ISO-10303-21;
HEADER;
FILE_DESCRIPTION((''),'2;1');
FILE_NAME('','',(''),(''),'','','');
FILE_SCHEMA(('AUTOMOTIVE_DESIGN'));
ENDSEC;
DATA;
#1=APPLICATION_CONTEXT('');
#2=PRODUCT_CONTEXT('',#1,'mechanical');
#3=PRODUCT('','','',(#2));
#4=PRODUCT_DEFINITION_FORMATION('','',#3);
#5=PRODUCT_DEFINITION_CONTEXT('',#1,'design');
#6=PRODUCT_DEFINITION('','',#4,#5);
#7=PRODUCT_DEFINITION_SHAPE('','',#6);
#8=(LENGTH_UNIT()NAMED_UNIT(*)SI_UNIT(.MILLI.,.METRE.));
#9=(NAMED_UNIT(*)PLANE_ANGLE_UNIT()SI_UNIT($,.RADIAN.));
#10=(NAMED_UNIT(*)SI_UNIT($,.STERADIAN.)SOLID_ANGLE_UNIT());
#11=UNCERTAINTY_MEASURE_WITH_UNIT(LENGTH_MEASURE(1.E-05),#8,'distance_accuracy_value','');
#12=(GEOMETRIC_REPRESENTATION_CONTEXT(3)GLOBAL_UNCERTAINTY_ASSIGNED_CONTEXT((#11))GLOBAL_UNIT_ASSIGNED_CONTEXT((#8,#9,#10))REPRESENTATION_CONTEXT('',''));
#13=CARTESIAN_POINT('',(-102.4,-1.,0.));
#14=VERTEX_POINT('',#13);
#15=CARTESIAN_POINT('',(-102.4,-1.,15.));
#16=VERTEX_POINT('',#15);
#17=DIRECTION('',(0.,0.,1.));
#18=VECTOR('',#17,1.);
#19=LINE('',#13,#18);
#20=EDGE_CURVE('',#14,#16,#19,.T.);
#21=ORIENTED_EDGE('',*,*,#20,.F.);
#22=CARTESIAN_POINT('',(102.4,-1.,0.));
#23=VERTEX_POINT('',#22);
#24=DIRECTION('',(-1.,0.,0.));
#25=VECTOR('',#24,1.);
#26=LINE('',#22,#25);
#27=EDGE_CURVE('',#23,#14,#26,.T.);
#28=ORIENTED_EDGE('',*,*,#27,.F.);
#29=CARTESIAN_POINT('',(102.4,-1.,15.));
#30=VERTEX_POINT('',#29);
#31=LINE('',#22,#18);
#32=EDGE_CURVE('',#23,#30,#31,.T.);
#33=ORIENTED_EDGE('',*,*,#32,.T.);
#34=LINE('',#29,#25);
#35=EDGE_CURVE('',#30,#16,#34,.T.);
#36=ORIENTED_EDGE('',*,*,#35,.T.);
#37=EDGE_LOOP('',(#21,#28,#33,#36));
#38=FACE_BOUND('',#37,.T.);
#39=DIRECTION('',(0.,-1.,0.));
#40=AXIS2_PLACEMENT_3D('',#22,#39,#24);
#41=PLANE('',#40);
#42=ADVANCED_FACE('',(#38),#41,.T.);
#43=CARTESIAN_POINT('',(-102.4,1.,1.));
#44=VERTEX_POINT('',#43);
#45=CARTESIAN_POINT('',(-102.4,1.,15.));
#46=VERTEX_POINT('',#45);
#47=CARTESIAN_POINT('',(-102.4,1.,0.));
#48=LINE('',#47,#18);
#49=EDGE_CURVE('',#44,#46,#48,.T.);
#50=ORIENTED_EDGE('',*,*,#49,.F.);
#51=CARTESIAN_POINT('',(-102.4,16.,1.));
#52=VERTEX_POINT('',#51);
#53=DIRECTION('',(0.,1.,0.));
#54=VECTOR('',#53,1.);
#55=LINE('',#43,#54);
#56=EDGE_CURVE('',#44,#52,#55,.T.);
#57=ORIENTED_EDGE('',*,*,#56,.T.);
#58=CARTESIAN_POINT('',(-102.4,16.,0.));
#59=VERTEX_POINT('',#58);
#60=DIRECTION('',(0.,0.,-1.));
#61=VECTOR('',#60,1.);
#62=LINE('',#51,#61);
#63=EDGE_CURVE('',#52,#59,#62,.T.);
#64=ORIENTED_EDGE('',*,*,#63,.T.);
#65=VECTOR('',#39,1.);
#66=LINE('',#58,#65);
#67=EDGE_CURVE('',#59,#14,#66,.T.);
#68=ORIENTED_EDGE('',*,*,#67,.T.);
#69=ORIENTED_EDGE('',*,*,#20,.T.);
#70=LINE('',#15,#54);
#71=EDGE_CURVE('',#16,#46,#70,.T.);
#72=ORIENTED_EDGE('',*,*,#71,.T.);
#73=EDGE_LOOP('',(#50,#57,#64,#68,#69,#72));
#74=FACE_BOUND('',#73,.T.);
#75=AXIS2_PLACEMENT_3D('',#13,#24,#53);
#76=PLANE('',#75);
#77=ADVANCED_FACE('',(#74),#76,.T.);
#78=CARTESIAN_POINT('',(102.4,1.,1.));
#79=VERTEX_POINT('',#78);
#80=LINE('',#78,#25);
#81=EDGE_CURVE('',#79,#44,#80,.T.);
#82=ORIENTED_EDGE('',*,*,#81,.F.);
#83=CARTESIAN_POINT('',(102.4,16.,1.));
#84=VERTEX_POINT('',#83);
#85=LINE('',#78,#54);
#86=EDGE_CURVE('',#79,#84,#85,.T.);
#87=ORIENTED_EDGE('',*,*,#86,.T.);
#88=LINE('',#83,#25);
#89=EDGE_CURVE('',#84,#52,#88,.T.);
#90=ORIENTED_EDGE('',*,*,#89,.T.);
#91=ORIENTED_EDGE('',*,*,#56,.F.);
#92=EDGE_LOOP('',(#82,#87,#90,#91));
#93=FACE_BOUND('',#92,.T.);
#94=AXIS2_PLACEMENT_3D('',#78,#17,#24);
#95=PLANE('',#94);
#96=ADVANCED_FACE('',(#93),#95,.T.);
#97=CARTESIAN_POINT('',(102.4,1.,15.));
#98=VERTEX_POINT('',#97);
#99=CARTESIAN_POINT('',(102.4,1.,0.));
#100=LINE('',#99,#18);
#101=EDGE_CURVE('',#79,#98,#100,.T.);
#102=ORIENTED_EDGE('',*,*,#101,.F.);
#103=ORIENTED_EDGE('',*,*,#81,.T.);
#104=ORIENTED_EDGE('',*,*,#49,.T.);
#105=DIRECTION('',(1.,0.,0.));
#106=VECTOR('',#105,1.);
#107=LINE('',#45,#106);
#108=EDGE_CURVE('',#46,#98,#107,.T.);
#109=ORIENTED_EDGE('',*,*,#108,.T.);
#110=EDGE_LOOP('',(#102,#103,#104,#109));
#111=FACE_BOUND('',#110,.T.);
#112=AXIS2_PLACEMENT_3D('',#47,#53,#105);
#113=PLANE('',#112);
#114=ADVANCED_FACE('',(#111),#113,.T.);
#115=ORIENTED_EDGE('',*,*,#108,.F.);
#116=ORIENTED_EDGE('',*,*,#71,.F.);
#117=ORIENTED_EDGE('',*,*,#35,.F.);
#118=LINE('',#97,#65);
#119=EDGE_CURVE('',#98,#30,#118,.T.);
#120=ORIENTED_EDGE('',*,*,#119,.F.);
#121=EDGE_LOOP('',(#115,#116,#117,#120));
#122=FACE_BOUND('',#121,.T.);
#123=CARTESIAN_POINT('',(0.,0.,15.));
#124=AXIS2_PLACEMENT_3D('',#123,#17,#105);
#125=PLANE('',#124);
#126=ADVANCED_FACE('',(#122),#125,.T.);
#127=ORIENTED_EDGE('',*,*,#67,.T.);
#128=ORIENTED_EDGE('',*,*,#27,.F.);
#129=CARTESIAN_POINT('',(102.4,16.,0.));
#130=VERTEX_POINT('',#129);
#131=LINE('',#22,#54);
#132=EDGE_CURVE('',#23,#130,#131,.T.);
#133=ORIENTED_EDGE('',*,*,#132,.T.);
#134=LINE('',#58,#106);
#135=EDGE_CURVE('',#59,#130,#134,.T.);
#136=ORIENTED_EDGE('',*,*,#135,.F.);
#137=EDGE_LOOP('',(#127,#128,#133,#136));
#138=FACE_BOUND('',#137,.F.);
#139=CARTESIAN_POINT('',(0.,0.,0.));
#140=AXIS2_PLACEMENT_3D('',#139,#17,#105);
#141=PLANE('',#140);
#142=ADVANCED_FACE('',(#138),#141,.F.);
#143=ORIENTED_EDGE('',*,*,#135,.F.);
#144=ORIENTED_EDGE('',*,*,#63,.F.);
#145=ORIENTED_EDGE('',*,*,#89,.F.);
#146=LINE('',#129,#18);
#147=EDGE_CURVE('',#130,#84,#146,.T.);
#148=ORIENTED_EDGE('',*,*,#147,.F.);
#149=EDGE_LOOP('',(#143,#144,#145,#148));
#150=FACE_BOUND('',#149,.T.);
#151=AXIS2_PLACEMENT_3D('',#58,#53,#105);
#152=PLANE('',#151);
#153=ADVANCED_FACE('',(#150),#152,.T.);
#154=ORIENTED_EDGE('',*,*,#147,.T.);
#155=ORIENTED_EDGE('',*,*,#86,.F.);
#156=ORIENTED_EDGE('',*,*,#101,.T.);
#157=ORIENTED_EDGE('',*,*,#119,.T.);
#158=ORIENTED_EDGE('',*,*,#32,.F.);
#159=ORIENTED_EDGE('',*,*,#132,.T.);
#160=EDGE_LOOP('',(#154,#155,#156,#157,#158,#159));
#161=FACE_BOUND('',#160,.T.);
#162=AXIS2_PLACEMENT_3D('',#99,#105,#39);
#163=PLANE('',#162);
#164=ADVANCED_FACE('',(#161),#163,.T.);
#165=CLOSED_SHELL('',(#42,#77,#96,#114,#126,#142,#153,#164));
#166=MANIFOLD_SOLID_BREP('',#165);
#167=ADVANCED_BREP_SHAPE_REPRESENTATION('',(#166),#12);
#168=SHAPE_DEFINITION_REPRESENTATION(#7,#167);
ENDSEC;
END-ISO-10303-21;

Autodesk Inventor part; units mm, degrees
ref_plane "YZ Plane" through (0, 0, 0) normal (1, 0, 0) x (0, 1, 0)
ref_plane "XZ Plane" through (0, 0, 0) normal (0, 1, 0) x (-1, 0, 0)
ref_plane "XY Plane" through (0, 0, 0) normal (0, 0, 1) x (1, 0, 0)
sketch "Skizze1" plane through (0, 0, 0) normal (0, 0, 1) x (1, 0, 0)
  line L0 (-102.4, 1) -> (102.4, 1)
  line L1 (102.4, 1) -> (102.4, -1)
  line L2 (102.4, -1) -> (-102.4, -1)
  line L3 (-102.4, -1) -> (-102.4, 1)
  line L4 (-102.4, 1) -> (102.4, -1) construction
  line L5 (102.4, 1) -> (-102.4, -1) construction
  point P0 (0, 0)
  dimension "d0" = 204.8
  dimension "d1" = 2
extrude "Extrusion1" add sketch "Skizze1" along normal blind 15
sketch "Skizze2" plane through (-102.4, 1, 0) normal (0, 1, 0) x (1, 0, 0)
  line L0 (0, 0) -> (204.8, 0) projected
  line L1 (204.8, 0) -> (204.8, -15) projected
  line L2 (0, 0) -> (204.8, 0)
  line L3 (204.8, 0) -> (204.8, -1)
  line L4 (204.8, -1) -> (0, -1)
  line L5 (0, -1) -> (0, 0)
  point P0 (102.4, 0)
  dimension "d4" = 1
extrude "Extrusion2" add sketch "Skizze2" along normal blind 15
properties part number "Shutter"
